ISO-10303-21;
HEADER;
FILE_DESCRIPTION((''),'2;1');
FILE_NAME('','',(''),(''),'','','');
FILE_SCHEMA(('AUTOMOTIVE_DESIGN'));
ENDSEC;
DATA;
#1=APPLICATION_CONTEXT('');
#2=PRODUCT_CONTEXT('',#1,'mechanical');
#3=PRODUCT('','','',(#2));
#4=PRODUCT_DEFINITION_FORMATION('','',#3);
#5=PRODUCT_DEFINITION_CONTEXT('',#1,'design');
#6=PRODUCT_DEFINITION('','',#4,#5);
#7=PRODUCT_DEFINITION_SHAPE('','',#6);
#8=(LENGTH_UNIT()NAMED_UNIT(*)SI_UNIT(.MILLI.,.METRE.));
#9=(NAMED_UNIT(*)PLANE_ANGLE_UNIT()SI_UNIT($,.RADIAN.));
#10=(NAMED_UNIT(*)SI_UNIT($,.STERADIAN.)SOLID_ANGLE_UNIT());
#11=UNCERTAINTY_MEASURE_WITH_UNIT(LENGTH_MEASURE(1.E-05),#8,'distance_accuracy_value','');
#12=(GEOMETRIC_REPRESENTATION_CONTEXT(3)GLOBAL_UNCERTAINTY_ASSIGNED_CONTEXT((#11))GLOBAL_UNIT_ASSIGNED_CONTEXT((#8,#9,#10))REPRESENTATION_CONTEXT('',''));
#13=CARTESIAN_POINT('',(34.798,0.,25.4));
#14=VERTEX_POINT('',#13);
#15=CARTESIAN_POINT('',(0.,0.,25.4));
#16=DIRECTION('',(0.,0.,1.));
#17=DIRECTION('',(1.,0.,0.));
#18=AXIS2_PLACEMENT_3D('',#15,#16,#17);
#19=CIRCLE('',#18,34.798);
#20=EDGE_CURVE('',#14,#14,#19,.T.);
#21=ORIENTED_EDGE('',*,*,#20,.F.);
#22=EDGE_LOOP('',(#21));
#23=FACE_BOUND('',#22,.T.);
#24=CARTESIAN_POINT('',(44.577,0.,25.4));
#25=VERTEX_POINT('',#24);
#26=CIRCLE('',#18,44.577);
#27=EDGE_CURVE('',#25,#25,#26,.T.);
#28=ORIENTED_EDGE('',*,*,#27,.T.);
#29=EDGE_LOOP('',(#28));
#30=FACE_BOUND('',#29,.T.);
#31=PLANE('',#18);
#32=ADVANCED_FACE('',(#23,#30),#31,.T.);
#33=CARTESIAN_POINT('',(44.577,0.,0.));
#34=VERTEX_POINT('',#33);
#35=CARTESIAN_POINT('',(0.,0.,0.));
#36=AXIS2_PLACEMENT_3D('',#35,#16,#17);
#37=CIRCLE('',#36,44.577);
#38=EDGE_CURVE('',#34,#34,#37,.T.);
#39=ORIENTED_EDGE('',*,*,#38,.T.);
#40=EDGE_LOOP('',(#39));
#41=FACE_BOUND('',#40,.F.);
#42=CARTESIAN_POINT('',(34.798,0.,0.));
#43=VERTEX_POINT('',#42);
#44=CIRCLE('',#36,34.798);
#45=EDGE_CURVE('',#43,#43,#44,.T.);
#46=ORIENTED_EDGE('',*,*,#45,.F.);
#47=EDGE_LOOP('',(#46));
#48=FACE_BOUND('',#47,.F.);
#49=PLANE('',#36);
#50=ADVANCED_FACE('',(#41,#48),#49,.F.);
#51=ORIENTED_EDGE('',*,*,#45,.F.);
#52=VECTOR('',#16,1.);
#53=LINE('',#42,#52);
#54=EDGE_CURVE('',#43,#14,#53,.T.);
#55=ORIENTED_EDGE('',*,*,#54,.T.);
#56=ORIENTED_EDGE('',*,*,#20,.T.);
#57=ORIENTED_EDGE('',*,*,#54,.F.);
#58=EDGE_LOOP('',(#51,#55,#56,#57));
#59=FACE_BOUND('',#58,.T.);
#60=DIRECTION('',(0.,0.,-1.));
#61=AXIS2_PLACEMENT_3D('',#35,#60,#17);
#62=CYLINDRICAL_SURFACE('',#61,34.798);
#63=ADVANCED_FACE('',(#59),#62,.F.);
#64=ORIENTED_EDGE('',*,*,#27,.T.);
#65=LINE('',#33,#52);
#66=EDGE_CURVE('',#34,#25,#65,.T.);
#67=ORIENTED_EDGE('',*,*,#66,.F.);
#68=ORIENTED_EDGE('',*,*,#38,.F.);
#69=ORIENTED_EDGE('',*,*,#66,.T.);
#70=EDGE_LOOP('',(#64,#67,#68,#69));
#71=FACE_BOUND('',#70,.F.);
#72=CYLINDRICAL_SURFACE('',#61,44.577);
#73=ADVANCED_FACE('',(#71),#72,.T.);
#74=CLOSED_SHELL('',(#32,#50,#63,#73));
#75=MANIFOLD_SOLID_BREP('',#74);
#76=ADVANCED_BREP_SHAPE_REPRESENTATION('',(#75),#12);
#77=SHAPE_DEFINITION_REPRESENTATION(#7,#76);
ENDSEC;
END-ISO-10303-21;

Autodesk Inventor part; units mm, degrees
ref_plane "YZ Plane" through (0, 0, 0) normal (1, 0, 0) x (0, 1, 0)
ref_plane "XZ Plane" through (0, 0, 0) normal (0, 1, 0) x (-1, 0, 0)
ref_plane "XY Plane" through (0, 0, 0) normal (0, 0, 1) x (1, 0, 0)
sketch "Sketch1" plane through (0, 0, 0) normal (0, 0, 1) x (1, 0, 0)
  circle A0 centre (0, 0) radius 44.577
  circle A1 centre (0, 0) radius 34.798
  dimension "d0" = 89.154
  dimension "d1" = 69.596
extrude "Extrusion1" add sketch "Sketch1" along normal blind 25.4
properties part number "Flywheel"
